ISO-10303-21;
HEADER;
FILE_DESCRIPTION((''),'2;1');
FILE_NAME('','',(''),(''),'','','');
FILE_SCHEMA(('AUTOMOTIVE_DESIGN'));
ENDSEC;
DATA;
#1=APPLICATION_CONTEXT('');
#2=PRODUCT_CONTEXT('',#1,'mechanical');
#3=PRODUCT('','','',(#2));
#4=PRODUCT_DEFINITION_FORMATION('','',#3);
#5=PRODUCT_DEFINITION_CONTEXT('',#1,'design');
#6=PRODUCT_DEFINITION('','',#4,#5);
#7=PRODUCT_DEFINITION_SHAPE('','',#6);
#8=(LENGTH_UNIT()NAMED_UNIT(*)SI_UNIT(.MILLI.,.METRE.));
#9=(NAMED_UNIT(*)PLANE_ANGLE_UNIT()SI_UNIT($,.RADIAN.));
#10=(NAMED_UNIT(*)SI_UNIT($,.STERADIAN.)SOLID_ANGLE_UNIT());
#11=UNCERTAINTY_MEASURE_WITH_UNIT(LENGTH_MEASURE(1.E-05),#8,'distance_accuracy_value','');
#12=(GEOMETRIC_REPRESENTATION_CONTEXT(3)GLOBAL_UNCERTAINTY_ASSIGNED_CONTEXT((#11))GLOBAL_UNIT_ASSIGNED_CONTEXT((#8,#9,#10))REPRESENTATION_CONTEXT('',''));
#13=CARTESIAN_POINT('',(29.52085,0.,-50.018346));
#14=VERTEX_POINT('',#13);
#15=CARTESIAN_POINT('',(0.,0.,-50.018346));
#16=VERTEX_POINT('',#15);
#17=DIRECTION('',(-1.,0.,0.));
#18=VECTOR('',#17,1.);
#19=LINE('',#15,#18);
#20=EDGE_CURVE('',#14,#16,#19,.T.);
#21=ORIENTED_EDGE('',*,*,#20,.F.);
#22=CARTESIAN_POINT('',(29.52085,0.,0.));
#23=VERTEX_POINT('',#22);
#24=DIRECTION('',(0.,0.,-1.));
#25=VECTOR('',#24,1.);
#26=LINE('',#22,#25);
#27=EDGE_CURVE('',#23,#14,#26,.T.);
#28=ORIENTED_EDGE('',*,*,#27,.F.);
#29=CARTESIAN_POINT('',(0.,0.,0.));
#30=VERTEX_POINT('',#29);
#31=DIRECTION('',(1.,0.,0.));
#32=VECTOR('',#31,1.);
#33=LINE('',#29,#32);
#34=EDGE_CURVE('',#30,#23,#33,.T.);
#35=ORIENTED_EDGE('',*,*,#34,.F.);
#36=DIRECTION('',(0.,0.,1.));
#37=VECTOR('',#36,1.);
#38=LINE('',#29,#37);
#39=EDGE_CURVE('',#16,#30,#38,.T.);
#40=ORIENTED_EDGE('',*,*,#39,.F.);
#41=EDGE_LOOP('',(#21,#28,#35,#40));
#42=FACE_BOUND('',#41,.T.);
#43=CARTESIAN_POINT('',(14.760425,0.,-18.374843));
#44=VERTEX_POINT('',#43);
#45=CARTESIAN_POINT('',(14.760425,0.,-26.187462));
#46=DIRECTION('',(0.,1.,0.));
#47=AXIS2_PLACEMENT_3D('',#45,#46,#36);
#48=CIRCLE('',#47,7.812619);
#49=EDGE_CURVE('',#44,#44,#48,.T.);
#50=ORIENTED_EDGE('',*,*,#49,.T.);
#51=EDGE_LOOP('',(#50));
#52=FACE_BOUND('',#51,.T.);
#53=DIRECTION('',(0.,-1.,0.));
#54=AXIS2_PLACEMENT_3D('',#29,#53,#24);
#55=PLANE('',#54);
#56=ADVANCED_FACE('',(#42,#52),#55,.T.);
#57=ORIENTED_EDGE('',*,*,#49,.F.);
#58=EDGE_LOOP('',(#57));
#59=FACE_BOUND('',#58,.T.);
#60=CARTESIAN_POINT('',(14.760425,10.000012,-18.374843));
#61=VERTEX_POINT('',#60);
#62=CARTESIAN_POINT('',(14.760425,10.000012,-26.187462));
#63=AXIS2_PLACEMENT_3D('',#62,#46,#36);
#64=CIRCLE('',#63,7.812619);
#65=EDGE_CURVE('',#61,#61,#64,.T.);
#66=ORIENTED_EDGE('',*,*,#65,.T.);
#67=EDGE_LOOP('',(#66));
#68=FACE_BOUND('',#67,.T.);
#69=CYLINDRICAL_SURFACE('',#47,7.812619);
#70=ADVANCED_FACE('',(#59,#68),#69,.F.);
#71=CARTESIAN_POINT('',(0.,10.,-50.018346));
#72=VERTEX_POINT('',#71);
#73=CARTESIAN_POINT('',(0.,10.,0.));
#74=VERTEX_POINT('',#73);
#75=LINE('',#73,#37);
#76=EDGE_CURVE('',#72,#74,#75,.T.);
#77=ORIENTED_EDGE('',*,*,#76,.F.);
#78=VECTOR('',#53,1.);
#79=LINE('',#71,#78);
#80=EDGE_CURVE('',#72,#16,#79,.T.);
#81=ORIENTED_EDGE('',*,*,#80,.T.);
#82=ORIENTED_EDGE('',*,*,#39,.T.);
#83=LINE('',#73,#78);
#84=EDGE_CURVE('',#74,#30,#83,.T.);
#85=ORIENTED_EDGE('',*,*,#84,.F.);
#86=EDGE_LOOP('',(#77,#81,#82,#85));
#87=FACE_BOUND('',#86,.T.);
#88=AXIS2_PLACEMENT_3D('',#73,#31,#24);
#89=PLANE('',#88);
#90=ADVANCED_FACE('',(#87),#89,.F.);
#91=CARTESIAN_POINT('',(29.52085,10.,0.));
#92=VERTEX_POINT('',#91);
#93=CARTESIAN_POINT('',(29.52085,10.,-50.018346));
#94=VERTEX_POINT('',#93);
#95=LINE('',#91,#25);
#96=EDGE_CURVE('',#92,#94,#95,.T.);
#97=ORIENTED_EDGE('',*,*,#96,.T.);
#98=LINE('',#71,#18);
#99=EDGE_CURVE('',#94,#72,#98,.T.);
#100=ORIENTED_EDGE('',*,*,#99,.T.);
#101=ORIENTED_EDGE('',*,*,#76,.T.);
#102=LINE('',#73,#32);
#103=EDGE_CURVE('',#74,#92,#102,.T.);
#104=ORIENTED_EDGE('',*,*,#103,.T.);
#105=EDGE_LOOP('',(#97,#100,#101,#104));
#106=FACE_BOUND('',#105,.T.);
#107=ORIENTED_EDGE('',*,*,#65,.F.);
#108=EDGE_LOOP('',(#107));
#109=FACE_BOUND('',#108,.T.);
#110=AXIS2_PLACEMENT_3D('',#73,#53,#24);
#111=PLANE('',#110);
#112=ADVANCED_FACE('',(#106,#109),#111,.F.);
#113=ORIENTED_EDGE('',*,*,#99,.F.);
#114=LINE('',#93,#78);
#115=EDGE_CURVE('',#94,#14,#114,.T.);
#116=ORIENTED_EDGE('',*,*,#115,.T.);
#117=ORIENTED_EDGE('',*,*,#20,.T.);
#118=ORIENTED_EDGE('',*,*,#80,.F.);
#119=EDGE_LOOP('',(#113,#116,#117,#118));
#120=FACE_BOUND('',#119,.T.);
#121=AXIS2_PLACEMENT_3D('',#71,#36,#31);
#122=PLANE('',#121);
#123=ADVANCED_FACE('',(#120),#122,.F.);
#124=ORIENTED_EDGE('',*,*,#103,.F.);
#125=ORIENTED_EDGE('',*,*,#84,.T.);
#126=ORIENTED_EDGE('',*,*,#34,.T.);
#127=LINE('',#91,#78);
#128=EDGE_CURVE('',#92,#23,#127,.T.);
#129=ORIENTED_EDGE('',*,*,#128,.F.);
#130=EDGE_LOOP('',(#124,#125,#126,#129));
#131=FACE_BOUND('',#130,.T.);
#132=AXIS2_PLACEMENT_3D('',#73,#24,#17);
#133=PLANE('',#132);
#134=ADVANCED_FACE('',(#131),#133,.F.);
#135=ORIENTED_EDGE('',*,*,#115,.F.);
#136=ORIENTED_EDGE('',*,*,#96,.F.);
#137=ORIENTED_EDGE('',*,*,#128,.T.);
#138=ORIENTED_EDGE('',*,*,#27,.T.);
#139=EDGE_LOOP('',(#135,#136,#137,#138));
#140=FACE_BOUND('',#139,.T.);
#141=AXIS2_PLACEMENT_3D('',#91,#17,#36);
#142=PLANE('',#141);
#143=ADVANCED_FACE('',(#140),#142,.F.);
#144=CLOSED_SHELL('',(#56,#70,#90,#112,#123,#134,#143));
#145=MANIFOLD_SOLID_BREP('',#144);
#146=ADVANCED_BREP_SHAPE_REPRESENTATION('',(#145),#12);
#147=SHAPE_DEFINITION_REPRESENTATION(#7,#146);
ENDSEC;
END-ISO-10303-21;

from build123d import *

# Parameters (mm, degrees)
SKETCH1_W               = 29.520850198
SKETCH1_H               = 50.018346185
BOSS_EXTRUDE1_DEPTH     = 10
CUT_EXTRUDE1_DEPTH      = 59.934841575
CUT_EXTRUDE1_DEPTH_BACK = 59.934841575
SKETCH2_R               = 7.812618591


with BuildPart() as part:
    # Sketch1 → Boss-Extrude1 (new body)
    with BuildSketch(Plane(origin=(0, 0, 0), x_dir=(1, 0, 0), z_dir=(0, 1, 0))):
        with Locations((14.760425099, 25.009173093)):
            Rectangle(SKETCH1_W, SKETCH1_H)
    extrude(amount=BOSS_EXTRUDE1_DEPTH)

    # Sketch2 → Cut-Extrude1 (cut, two sides: drawn at the far end of the back side and taken through both)
    with BuildSketch(Plane(origin=(0, 10, 0), x_dir=(1, 0, 0), z_dir=(0, 1, 0)).offset(-CUT_EXTRUDE1_DEPTH_BACK)):
        with Locations(Location((14.760425099, 26.187461577, 0), (0, 0, 270))):
            Circle(SKETCH2_R)
    extrude(amount=CUT_EXTRUDE1_DEPTH + CUT_EXTRUDE1_DEPTH_BACK, mode=Mode.SUBTRACT)


solid = part.part
